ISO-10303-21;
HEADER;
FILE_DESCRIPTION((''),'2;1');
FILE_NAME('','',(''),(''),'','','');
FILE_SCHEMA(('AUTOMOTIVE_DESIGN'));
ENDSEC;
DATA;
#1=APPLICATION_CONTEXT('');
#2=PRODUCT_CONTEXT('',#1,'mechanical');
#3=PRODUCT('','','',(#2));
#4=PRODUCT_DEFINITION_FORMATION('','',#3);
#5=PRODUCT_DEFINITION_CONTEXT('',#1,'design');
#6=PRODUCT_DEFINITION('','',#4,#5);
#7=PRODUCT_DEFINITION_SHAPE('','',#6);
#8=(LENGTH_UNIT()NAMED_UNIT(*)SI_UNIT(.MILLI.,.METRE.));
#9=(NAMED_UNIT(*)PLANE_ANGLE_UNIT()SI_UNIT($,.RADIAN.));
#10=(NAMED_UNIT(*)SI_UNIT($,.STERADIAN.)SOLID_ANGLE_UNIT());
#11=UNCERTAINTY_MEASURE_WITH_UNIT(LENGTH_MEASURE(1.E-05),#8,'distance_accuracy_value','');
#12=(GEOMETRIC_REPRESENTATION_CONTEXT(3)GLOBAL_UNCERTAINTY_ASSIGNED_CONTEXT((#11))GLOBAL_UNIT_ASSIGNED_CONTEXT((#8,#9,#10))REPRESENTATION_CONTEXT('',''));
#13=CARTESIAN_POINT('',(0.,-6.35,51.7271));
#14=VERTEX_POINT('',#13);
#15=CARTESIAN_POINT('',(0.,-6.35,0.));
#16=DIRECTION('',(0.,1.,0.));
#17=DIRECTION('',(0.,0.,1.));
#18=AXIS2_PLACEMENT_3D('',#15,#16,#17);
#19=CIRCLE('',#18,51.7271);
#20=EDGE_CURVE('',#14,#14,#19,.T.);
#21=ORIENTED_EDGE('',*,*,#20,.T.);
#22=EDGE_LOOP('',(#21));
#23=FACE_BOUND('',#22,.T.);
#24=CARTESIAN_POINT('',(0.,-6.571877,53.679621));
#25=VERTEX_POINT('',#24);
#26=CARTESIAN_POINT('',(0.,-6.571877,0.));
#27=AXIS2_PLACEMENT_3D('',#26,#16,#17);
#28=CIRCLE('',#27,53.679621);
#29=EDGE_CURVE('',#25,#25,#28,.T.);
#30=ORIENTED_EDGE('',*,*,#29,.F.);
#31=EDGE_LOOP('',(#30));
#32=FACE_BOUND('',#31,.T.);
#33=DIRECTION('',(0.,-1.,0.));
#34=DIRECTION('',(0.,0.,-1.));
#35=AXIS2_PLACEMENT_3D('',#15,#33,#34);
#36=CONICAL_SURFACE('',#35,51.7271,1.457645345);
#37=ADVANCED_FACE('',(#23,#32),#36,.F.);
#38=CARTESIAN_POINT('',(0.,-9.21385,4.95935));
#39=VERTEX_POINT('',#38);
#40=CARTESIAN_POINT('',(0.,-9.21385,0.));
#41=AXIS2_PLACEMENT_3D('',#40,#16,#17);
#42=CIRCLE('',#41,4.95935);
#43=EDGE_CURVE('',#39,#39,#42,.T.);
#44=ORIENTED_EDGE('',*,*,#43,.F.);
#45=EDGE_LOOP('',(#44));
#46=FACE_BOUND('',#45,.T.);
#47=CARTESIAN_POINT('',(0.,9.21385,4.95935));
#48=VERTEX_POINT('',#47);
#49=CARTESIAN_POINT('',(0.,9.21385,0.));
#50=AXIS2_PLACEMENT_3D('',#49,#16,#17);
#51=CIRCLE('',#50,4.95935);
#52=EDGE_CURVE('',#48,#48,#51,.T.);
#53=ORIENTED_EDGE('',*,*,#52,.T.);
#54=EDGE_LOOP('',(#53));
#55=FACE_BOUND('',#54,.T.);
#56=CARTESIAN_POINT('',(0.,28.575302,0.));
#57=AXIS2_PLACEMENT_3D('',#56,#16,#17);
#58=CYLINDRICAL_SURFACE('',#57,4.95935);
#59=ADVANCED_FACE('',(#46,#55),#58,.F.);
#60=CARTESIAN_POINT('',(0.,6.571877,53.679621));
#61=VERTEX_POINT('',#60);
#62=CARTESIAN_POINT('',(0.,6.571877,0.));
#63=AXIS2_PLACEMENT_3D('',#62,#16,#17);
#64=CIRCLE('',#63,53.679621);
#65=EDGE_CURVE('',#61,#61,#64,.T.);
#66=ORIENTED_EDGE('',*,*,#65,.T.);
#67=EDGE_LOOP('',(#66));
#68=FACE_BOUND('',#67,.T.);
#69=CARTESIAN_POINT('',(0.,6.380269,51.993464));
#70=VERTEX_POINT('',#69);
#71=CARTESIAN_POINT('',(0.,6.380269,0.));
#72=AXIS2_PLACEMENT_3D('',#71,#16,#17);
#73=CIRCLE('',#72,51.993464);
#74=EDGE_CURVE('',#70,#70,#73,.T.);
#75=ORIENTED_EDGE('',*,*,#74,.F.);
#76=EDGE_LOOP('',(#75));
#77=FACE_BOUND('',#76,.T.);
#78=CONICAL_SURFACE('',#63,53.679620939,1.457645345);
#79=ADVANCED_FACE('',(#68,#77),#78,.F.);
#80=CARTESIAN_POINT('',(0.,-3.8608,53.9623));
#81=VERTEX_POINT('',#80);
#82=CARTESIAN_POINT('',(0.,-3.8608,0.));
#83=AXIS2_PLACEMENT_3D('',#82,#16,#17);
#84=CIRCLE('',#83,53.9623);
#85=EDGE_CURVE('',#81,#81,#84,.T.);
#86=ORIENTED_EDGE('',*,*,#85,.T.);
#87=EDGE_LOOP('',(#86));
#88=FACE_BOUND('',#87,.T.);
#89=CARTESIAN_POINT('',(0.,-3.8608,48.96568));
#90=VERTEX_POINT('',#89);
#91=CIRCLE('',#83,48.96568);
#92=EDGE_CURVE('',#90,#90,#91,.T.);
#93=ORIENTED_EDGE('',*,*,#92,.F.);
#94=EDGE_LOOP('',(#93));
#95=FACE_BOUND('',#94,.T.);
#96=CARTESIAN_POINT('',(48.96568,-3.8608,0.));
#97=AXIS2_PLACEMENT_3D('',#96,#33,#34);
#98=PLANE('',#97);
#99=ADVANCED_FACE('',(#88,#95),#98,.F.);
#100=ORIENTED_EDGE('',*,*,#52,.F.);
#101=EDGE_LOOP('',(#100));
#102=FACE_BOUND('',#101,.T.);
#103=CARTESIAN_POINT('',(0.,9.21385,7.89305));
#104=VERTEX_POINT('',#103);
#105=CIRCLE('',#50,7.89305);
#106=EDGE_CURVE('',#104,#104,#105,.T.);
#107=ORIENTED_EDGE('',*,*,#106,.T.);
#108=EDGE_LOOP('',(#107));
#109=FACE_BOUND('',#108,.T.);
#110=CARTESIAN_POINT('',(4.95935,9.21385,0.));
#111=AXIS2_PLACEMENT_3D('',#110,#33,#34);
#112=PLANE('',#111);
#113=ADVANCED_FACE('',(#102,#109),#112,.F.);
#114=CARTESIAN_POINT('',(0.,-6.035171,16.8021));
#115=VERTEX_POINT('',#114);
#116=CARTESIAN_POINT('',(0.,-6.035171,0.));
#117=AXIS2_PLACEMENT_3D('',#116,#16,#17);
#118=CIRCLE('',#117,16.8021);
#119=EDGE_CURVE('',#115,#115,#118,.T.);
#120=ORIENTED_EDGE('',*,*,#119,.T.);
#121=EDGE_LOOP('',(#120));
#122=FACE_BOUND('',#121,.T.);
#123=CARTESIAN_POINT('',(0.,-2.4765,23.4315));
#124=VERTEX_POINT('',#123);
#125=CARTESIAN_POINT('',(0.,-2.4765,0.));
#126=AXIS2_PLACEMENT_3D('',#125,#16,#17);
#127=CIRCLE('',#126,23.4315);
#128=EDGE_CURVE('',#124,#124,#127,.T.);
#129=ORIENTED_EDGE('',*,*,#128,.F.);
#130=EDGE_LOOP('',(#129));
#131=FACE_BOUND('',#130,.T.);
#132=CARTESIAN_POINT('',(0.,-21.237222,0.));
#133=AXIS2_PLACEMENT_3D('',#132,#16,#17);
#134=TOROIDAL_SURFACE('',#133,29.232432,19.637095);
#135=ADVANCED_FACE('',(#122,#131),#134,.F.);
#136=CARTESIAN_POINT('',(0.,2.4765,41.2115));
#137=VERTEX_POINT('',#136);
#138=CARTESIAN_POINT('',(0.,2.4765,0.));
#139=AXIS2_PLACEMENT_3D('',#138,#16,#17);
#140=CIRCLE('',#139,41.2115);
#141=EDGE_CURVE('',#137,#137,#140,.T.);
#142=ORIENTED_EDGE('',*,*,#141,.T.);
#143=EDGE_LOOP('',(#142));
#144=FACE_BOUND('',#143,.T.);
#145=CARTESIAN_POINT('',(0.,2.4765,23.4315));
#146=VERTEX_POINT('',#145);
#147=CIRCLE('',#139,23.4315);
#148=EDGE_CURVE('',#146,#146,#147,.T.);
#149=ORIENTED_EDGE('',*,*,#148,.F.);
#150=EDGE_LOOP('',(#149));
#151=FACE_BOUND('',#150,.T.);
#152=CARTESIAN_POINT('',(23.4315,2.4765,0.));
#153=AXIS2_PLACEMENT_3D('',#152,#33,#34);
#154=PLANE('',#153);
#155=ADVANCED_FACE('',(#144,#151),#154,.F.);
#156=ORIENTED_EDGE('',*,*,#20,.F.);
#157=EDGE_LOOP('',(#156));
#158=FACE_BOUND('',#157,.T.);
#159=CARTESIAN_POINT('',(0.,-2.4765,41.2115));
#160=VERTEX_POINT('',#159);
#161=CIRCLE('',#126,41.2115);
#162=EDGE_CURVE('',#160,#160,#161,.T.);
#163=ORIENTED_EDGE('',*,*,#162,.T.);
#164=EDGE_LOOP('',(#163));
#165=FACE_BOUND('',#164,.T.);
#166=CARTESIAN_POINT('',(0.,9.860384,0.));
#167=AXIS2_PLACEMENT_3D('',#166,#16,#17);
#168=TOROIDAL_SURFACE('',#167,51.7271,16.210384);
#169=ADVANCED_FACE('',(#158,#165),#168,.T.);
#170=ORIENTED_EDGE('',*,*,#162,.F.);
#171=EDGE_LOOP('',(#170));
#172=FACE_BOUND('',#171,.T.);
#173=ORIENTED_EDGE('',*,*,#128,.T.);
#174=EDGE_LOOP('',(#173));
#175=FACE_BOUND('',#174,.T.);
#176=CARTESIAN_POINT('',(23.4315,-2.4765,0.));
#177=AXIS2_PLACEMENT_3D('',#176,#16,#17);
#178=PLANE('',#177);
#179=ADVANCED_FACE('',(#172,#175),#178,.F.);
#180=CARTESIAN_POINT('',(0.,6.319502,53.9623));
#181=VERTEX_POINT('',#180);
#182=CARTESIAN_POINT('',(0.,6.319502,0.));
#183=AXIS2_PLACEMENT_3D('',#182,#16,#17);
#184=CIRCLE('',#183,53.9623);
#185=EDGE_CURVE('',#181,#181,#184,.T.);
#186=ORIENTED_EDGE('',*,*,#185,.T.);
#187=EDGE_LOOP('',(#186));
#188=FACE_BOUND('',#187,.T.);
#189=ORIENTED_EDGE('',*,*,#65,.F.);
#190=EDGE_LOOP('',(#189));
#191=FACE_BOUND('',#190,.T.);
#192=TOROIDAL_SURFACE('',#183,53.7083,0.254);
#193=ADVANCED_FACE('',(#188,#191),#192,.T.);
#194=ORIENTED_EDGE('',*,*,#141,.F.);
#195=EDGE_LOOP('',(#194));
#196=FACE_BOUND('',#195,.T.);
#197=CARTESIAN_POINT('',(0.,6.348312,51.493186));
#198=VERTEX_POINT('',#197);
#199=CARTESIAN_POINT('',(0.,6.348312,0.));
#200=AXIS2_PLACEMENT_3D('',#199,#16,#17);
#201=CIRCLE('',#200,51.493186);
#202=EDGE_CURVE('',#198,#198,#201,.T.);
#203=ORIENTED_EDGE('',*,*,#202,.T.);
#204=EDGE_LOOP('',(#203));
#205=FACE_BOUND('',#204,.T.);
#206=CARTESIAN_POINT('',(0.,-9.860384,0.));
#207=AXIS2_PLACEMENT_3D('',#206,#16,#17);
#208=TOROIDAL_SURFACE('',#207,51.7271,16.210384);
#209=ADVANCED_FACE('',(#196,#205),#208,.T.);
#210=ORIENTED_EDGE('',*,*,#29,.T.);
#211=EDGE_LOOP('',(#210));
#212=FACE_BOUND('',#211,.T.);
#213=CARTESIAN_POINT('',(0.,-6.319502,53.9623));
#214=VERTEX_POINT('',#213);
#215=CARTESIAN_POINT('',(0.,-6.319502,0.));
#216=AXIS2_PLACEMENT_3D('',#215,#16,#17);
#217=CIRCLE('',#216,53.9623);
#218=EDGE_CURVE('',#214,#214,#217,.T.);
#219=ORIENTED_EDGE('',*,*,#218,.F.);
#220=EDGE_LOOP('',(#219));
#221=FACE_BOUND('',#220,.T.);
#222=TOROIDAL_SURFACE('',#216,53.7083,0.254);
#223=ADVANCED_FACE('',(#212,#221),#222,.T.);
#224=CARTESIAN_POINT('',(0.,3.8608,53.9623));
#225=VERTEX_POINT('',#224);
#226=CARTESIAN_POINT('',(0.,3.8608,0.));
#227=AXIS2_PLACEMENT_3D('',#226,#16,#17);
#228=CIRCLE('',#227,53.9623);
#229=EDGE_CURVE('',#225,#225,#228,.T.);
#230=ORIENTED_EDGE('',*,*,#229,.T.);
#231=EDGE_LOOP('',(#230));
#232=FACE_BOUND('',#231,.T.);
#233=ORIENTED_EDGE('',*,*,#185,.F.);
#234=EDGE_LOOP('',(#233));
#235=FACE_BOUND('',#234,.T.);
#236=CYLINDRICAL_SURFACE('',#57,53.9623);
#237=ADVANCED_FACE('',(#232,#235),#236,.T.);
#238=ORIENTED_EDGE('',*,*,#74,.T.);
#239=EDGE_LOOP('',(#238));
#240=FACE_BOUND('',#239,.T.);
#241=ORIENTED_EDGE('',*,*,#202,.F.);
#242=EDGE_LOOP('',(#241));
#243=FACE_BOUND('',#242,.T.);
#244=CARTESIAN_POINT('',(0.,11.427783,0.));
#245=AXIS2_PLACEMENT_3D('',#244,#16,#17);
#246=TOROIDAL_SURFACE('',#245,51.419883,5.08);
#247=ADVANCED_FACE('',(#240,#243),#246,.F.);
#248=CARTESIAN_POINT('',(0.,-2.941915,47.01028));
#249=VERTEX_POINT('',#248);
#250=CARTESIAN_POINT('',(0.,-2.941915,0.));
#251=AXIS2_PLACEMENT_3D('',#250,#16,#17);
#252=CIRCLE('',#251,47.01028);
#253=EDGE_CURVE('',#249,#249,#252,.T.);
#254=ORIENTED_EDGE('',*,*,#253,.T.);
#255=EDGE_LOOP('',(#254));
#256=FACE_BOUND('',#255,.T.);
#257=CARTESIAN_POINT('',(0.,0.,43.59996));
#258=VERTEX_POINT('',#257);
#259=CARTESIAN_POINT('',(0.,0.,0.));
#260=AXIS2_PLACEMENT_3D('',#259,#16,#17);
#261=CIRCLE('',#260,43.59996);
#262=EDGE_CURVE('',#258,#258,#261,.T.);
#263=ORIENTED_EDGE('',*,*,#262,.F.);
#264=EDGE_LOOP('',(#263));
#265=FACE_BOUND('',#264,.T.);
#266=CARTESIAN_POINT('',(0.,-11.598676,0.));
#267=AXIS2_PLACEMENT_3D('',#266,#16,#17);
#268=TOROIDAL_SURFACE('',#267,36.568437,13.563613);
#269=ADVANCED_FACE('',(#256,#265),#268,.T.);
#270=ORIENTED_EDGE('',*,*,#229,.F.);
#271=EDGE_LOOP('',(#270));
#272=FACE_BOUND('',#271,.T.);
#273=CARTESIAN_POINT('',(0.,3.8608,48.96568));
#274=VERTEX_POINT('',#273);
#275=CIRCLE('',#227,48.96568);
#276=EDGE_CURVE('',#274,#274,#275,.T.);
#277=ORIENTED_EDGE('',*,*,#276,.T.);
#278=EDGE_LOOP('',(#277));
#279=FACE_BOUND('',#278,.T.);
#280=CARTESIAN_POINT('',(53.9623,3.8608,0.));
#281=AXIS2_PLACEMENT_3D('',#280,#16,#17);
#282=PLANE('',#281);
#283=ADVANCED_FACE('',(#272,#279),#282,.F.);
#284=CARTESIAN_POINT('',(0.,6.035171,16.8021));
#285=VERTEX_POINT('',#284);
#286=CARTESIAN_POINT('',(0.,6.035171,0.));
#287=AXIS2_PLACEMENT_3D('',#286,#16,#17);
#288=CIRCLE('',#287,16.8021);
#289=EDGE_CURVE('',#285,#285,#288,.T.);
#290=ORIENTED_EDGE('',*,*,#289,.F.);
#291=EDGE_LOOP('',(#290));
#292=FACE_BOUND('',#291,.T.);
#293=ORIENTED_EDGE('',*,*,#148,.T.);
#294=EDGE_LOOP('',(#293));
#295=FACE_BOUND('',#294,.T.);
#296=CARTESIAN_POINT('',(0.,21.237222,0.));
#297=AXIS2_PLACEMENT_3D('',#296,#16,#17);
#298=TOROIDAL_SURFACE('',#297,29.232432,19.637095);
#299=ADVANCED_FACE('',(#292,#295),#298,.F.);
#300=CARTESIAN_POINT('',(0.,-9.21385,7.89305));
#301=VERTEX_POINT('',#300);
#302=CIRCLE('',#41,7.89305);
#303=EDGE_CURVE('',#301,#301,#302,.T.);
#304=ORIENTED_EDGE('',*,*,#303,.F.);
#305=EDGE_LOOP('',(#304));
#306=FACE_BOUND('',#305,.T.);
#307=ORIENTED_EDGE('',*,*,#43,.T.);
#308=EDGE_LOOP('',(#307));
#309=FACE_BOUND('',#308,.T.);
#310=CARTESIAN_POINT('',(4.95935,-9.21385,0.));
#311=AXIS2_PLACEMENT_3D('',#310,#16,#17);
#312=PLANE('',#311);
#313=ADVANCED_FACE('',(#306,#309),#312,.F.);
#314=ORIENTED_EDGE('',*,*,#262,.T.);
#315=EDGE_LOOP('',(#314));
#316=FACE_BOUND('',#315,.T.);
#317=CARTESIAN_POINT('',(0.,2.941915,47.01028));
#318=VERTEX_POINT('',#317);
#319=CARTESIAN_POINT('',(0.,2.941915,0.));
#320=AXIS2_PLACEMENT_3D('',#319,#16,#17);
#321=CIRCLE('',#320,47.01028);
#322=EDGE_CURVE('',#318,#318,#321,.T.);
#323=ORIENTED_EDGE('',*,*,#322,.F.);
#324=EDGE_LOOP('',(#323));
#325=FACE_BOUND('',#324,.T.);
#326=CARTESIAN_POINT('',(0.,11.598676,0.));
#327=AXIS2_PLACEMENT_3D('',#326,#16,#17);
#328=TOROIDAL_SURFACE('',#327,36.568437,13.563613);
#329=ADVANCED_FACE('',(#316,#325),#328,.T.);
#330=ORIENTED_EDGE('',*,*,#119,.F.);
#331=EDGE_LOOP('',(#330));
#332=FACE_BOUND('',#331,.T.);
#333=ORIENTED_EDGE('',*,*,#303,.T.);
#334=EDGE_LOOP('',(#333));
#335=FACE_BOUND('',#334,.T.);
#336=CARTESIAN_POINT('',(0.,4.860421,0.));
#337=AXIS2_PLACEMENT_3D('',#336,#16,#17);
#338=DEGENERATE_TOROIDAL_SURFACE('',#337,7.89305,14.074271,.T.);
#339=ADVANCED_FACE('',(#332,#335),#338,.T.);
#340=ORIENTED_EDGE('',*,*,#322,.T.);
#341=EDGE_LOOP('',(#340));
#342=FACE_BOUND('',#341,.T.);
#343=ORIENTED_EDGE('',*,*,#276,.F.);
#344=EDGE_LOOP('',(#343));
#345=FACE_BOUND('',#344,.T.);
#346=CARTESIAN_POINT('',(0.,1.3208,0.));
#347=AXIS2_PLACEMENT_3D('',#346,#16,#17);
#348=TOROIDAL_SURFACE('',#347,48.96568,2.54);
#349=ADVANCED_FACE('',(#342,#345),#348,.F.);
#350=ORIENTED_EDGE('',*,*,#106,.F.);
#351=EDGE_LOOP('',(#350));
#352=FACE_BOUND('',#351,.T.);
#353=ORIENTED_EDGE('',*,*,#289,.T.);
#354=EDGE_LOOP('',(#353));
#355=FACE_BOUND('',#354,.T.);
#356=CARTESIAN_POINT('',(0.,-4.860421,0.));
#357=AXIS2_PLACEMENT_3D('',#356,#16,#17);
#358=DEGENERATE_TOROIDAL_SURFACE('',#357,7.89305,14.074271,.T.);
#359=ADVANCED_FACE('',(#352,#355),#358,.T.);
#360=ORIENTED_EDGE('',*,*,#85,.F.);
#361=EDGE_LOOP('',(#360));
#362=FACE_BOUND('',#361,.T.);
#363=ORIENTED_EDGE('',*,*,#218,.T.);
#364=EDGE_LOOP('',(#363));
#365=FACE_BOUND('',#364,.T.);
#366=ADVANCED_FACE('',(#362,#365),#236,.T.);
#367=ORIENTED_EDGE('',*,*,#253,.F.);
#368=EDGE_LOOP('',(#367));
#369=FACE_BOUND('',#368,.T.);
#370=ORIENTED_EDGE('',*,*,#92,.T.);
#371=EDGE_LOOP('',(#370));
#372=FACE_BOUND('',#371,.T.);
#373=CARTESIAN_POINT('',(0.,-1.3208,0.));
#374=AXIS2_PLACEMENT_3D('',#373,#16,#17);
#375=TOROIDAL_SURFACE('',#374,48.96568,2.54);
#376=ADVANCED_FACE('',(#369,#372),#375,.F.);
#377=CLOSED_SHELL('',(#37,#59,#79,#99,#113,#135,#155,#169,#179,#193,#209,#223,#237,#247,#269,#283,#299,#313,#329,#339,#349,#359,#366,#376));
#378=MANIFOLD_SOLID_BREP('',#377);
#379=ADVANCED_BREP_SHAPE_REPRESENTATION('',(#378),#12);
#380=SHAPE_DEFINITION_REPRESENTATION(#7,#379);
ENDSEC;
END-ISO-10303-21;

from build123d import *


with BuildPart() as part:
    # Sketch1 → Revolve1 (revolve)
    with BuildSketch(Plane.XY):
        with BuildLine():
            Line((4.95935, -9.21385), (4.95935, 9.21385))
            Line((4.95935, 9.21385), (7.89305, 9.21385))
            ThreePointArc((7.89305, 9.21385), (12.622615793, 8.395381928), (16.8021, 6.035171274))
            ThreePointArc((16.8021, 6.035171274), (19.944763719, 3.935351603), (23.4315, 2.4765))
            Line((23.4315, 2.4765), (41.2115, 2.4765))
            ThreePointArc((41.2115, 2.4765), (46.014329859, 5.310008445), (51.49318649, 6.348312243))
            ThreePointArc((51.49318649, 6.348312243), (51.743719687, 6.358115724), (51.993464036, 6.38026864))
            Line((51.993464036, 6.38026864), (53.679620939, 6.571877379))
            ThreePointArc((53.679620939, 6.571877379), (53.877461932, 6.508975233), (53.9623, 6.319501645))
            Line((53.9623, 6.319501645), (53.9623, 3.8608))
            Line((53.9623, 3.8608), (48.96567957, 3.8608))
            ThreePointArc((48.96567957, 3.8608), (47.8854091, 3.619629204), (47.010280116, 2.941914732))
            ThreePointArc((47.010280116, 2.941914732), (45.42808425, 1.328415294), (43.599960349, 0))
            ThreePointArc((43.599960349, 0), (45.42808425, -1.328415294), (47.010280116, -2.941914732))
            ThreePointArc((47.010280116, -2.941914732), (47.8854091, -3.619629204), (48.96567957, -3.8608))
            Line((48.96567957, -3.8608), (53.9623, -3.8608))
            Line((53.9623, -3.8608), (53.9623, -6.319501645))
            ThreePointArc((53.9623, -6.319501645), (53.877461932, -6.508975233), (53.679620939, -6.571877379))
            Line((53.679620939, -6.571877379), (51.7271, -6.35))
            ThreePointArc((51.7271, -6.35), (46.123934698, -5.350831869), (41.2115, -2.4765))
            Line((41.2115, -2.4765), (23.4315, -2.4765))
            ThreePointArc((23.4315, -2.4765), (19.944763719, -3.935351603), (16.8021, -6.035171274))
            ThreePointArc((16.8021, -6.035171274), (12.622615793, -8.395381928), (7.89305, -9.21385))
            Line((7.89305, -9.21385), (4.95935, -9.21385))
        make_face()
    revolve(axis=Axis((0, 28.575302381, 0), (0, -1, 0)))


solid = part.part
